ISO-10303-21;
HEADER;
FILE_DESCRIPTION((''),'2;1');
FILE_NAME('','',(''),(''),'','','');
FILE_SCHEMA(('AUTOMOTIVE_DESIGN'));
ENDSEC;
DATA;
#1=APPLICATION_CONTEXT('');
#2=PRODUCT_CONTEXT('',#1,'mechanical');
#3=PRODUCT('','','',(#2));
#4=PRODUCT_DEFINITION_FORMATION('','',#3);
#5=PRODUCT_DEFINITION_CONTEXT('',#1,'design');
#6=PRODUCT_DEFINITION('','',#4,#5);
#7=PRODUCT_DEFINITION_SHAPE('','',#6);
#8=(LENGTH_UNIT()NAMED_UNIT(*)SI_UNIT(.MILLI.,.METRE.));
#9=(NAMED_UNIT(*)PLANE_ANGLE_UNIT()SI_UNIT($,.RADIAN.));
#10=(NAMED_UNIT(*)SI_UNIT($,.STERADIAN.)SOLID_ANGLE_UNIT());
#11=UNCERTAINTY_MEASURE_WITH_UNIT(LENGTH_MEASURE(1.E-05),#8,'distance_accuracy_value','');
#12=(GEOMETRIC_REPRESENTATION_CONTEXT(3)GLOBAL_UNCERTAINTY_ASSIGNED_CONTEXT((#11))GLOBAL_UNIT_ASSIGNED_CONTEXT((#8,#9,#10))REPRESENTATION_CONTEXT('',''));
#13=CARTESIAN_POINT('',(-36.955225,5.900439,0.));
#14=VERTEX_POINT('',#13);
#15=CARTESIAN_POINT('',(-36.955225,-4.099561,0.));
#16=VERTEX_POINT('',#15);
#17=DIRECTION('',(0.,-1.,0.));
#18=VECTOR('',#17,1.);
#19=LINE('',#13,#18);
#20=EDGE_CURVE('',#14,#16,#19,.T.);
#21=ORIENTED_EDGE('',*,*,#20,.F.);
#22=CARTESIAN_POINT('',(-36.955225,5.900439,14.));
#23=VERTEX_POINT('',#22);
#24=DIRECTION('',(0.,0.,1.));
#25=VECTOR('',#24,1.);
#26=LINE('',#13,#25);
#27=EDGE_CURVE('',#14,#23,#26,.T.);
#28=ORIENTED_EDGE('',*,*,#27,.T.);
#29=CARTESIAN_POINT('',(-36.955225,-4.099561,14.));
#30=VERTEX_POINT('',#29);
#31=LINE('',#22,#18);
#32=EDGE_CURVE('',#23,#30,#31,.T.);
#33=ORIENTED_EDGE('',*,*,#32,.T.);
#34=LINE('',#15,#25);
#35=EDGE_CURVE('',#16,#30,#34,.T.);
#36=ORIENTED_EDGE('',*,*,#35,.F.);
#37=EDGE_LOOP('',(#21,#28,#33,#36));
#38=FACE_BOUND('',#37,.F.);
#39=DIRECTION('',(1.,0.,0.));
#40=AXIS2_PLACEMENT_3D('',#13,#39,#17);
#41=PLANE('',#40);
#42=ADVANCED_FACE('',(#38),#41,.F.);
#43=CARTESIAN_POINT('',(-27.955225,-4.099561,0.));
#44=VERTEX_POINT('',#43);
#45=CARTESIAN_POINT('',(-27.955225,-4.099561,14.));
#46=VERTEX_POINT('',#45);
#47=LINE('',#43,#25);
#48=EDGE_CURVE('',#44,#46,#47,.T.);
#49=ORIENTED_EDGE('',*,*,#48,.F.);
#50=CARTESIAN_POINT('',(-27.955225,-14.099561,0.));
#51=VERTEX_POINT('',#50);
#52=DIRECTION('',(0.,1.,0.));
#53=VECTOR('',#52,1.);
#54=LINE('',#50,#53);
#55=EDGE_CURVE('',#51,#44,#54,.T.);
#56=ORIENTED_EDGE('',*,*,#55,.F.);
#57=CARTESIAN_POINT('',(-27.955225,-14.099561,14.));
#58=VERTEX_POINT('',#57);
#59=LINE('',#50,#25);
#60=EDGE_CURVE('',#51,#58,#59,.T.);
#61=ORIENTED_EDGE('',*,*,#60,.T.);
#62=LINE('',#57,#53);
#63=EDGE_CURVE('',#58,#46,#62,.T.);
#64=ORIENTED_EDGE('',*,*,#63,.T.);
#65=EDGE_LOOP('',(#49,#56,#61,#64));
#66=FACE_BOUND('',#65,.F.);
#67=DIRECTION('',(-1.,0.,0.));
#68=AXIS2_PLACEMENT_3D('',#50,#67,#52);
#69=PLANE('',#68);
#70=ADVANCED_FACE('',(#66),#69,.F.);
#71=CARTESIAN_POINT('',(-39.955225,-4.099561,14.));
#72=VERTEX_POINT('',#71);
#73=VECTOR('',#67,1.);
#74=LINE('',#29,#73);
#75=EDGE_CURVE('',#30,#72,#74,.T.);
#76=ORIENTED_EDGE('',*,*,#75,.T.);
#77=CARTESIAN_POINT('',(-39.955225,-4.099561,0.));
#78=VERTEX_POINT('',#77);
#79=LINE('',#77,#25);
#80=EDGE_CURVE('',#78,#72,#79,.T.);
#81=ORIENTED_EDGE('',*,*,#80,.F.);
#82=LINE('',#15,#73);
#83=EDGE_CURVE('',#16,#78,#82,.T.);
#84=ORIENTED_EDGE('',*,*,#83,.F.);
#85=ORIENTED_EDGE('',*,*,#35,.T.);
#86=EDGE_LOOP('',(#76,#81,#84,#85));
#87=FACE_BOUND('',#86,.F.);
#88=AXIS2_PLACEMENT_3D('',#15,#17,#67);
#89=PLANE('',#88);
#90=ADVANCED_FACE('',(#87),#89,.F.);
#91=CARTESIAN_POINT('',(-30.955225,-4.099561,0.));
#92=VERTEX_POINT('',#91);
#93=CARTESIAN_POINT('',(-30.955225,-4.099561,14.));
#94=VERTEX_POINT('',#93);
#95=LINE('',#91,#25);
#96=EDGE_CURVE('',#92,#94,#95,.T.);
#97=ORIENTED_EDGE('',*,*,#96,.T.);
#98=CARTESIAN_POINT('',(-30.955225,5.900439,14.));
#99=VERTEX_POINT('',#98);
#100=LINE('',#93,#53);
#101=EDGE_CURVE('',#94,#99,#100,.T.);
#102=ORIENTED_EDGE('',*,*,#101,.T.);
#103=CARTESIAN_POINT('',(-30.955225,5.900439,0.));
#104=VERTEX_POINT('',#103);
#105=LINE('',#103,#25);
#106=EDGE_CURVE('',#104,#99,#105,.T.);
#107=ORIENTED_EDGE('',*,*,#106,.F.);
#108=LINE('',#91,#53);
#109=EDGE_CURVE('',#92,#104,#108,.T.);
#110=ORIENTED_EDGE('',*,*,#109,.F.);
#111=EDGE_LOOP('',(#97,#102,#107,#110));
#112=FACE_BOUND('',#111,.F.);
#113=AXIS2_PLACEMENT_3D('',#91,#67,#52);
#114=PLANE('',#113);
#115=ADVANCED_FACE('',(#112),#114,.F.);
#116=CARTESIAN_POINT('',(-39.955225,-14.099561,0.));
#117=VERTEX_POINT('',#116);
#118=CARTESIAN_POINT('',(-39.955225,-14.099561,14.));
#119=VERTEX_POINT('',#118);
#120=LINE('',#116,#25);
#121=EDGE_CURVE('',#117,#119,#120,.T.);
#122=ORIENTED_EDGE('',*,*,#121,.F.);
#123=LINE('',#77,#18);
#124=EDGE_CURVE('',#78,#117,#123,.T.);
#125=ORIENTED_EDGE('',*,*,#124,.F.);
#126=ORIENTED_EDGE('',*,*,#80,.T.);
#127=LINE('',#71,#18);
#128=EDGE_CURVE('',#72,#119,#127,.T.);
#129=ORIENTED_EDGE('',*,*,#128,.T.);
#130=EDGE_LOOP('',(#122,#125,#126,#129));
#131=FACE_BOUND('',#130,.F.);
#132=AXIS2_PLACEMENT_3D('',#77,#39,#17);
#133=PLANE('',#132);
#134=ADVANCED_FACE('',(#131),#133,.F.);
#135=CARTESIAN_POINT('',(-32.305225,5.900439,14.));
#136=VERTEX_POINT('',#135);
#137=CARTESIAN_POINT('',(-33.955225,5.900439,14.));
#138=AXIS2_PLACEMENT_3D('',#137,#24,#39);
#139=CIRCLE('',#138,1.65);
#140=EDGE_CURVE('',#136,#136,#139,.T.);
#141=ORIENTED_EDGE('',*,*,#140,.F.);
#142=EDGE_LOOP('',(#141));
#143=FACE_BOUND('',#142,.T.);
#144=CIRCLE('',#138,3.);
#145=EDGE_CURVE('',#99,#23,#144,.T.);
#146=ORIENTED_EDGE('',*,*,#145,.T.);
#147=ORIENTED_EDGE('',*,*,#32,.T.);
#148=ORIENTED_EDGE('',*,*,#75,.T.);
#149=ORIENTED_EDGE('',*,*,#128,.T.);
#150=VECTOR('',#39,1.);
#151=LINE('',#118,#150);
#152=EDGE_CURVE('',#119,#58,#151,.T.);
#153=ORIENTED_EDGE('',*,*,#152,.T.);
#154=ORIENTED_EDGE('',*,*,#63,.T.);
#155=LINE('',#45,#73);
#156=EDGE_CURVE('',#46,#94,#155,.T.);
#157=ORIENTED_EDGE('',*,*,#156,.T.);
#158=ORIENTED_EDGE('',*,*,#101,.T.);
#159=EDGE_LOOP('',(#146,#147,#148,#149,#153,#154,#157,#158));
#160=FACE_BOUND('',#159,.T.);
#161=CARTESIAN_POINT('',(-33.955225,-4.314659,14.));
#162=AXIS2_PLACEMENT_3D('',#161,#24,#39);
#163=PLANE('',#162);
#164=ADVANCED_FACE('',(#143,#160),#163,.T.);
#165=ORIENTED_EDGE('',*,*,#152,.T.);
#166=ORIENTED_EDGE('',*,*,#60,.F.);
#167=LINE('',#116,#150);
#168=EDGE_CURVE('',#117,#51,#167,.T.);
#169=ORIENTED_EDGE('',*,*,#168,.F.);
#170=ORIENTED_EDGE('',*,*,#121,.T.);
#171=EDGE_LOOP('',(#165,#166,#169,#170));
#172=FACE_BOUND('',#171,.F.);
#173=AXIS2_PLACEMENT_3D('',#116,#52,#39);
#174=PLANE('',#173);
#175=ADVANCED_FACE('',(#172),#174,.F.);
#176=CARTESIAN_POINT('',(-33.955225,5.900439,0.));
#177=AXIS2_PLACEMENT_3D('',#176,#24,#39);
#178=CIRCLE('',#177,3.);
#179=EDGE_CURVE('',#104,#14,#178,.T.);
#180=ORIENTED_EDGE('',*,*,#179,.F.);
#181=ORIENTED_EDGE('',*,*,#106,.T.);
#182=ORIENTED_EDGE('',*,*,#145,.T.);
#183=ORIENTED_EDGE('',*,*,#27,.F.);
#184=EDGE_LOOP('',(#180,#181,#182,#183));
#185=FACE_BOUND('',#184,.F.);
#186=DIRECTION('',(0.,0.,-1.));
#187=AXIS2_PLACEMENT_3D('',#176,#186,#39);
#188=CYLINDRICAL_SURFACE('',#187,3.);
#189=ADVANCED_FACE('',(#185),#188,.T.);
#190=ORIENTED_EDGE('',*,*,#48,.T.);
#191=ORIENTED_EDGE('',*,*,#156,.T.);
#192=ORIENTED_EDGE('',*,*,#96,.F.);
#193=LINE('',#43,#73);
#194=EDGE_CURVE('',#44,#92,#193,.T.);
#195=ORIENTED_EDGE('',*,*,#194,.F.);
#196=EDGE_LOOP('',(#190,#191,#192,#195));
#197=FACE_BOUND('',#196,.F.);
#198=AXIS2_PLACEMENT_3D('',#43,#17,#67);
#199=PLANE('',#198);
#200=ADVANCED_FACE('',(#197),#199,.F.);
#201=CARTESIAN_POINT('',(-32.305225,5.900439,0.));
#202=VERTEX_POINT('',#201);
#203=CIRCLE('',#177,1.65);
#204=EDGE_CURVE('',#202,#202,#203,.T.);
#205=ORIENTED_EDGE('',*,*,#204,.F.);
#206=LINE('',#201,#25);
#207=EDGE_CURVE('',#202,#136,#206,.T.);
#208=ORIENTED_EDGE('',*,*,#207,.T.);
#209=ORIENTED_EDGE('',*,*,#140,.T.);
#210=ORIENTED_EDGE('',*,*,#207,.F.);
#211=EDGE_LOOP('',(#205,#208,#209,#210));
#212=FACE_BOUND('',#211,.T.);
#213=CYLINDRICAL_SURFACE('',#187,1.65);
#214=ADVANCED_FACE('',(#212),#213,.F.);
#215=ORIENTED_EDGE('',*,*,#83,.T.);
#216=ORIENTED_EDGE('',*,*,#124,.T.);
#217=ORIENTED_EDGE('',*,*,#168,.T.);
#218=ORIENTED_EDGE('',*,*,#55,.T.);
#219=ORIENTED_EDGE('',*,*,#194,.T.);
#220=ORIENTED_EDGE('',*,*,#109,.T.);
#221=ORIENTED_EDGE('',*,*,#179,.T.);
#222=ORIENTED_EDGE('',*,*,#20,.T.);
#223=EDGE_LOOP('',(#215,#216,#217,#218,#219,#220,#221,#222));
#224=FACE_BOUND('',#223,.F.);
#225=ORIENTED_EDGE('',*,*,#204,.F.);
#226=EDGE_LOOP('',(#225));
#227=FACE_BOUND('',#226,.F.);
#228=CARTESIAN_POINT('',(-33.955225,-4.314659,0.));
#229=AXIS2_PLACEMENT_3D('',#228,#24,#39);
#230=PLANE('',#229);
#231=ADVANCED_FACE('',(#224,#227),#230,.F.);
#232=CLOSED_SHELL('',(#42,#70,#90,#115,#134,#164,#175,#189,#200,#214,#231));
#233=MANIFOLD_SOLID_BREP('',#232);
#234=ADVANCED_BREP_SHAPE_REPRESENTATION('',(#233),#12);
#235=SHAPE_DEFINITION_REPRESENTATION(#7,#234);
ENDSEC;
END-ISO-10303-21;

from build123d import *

# Parameters (mm, degrees)
F0_R     = 1.65
F1_DEPTH = 14


with BuildPart() as f1:
    # F0 (on Top) → F1 (new body)
    with BuildSketch(Plane.XY):
        with BuildLine():
            Line((-36.955225, -4.099561), (-39.955225, -4.099561))
            Line((-39.955225, -4.099561), (-39.955225, -14.099561))
            Line((-39.955225, -14.099561), (-27.955225, -14.099561))
            Line((-27.955225, -14.099561), (-27.955225, -4.099561))
            Line((-27.955225, -4.099561), (-30.955225, -4.099561))
            Line((-30.955225, -4.099561), (-30.955225, 5.900439))
            ThreePointArc((-30.955225, 5.900439), (-33.955225, 8.900439), (-36.955225, 5.900439))
            Line((-36.955225, 5.900439), (-36.955225, -4.099561))
        make_face()
        with Locations((-33.955225, 5.900439)):
            Circle(F0_R, mode=Mode.SUBTRACT)
    extrude(amount=F1_DEPTH)


solid = f1.part
